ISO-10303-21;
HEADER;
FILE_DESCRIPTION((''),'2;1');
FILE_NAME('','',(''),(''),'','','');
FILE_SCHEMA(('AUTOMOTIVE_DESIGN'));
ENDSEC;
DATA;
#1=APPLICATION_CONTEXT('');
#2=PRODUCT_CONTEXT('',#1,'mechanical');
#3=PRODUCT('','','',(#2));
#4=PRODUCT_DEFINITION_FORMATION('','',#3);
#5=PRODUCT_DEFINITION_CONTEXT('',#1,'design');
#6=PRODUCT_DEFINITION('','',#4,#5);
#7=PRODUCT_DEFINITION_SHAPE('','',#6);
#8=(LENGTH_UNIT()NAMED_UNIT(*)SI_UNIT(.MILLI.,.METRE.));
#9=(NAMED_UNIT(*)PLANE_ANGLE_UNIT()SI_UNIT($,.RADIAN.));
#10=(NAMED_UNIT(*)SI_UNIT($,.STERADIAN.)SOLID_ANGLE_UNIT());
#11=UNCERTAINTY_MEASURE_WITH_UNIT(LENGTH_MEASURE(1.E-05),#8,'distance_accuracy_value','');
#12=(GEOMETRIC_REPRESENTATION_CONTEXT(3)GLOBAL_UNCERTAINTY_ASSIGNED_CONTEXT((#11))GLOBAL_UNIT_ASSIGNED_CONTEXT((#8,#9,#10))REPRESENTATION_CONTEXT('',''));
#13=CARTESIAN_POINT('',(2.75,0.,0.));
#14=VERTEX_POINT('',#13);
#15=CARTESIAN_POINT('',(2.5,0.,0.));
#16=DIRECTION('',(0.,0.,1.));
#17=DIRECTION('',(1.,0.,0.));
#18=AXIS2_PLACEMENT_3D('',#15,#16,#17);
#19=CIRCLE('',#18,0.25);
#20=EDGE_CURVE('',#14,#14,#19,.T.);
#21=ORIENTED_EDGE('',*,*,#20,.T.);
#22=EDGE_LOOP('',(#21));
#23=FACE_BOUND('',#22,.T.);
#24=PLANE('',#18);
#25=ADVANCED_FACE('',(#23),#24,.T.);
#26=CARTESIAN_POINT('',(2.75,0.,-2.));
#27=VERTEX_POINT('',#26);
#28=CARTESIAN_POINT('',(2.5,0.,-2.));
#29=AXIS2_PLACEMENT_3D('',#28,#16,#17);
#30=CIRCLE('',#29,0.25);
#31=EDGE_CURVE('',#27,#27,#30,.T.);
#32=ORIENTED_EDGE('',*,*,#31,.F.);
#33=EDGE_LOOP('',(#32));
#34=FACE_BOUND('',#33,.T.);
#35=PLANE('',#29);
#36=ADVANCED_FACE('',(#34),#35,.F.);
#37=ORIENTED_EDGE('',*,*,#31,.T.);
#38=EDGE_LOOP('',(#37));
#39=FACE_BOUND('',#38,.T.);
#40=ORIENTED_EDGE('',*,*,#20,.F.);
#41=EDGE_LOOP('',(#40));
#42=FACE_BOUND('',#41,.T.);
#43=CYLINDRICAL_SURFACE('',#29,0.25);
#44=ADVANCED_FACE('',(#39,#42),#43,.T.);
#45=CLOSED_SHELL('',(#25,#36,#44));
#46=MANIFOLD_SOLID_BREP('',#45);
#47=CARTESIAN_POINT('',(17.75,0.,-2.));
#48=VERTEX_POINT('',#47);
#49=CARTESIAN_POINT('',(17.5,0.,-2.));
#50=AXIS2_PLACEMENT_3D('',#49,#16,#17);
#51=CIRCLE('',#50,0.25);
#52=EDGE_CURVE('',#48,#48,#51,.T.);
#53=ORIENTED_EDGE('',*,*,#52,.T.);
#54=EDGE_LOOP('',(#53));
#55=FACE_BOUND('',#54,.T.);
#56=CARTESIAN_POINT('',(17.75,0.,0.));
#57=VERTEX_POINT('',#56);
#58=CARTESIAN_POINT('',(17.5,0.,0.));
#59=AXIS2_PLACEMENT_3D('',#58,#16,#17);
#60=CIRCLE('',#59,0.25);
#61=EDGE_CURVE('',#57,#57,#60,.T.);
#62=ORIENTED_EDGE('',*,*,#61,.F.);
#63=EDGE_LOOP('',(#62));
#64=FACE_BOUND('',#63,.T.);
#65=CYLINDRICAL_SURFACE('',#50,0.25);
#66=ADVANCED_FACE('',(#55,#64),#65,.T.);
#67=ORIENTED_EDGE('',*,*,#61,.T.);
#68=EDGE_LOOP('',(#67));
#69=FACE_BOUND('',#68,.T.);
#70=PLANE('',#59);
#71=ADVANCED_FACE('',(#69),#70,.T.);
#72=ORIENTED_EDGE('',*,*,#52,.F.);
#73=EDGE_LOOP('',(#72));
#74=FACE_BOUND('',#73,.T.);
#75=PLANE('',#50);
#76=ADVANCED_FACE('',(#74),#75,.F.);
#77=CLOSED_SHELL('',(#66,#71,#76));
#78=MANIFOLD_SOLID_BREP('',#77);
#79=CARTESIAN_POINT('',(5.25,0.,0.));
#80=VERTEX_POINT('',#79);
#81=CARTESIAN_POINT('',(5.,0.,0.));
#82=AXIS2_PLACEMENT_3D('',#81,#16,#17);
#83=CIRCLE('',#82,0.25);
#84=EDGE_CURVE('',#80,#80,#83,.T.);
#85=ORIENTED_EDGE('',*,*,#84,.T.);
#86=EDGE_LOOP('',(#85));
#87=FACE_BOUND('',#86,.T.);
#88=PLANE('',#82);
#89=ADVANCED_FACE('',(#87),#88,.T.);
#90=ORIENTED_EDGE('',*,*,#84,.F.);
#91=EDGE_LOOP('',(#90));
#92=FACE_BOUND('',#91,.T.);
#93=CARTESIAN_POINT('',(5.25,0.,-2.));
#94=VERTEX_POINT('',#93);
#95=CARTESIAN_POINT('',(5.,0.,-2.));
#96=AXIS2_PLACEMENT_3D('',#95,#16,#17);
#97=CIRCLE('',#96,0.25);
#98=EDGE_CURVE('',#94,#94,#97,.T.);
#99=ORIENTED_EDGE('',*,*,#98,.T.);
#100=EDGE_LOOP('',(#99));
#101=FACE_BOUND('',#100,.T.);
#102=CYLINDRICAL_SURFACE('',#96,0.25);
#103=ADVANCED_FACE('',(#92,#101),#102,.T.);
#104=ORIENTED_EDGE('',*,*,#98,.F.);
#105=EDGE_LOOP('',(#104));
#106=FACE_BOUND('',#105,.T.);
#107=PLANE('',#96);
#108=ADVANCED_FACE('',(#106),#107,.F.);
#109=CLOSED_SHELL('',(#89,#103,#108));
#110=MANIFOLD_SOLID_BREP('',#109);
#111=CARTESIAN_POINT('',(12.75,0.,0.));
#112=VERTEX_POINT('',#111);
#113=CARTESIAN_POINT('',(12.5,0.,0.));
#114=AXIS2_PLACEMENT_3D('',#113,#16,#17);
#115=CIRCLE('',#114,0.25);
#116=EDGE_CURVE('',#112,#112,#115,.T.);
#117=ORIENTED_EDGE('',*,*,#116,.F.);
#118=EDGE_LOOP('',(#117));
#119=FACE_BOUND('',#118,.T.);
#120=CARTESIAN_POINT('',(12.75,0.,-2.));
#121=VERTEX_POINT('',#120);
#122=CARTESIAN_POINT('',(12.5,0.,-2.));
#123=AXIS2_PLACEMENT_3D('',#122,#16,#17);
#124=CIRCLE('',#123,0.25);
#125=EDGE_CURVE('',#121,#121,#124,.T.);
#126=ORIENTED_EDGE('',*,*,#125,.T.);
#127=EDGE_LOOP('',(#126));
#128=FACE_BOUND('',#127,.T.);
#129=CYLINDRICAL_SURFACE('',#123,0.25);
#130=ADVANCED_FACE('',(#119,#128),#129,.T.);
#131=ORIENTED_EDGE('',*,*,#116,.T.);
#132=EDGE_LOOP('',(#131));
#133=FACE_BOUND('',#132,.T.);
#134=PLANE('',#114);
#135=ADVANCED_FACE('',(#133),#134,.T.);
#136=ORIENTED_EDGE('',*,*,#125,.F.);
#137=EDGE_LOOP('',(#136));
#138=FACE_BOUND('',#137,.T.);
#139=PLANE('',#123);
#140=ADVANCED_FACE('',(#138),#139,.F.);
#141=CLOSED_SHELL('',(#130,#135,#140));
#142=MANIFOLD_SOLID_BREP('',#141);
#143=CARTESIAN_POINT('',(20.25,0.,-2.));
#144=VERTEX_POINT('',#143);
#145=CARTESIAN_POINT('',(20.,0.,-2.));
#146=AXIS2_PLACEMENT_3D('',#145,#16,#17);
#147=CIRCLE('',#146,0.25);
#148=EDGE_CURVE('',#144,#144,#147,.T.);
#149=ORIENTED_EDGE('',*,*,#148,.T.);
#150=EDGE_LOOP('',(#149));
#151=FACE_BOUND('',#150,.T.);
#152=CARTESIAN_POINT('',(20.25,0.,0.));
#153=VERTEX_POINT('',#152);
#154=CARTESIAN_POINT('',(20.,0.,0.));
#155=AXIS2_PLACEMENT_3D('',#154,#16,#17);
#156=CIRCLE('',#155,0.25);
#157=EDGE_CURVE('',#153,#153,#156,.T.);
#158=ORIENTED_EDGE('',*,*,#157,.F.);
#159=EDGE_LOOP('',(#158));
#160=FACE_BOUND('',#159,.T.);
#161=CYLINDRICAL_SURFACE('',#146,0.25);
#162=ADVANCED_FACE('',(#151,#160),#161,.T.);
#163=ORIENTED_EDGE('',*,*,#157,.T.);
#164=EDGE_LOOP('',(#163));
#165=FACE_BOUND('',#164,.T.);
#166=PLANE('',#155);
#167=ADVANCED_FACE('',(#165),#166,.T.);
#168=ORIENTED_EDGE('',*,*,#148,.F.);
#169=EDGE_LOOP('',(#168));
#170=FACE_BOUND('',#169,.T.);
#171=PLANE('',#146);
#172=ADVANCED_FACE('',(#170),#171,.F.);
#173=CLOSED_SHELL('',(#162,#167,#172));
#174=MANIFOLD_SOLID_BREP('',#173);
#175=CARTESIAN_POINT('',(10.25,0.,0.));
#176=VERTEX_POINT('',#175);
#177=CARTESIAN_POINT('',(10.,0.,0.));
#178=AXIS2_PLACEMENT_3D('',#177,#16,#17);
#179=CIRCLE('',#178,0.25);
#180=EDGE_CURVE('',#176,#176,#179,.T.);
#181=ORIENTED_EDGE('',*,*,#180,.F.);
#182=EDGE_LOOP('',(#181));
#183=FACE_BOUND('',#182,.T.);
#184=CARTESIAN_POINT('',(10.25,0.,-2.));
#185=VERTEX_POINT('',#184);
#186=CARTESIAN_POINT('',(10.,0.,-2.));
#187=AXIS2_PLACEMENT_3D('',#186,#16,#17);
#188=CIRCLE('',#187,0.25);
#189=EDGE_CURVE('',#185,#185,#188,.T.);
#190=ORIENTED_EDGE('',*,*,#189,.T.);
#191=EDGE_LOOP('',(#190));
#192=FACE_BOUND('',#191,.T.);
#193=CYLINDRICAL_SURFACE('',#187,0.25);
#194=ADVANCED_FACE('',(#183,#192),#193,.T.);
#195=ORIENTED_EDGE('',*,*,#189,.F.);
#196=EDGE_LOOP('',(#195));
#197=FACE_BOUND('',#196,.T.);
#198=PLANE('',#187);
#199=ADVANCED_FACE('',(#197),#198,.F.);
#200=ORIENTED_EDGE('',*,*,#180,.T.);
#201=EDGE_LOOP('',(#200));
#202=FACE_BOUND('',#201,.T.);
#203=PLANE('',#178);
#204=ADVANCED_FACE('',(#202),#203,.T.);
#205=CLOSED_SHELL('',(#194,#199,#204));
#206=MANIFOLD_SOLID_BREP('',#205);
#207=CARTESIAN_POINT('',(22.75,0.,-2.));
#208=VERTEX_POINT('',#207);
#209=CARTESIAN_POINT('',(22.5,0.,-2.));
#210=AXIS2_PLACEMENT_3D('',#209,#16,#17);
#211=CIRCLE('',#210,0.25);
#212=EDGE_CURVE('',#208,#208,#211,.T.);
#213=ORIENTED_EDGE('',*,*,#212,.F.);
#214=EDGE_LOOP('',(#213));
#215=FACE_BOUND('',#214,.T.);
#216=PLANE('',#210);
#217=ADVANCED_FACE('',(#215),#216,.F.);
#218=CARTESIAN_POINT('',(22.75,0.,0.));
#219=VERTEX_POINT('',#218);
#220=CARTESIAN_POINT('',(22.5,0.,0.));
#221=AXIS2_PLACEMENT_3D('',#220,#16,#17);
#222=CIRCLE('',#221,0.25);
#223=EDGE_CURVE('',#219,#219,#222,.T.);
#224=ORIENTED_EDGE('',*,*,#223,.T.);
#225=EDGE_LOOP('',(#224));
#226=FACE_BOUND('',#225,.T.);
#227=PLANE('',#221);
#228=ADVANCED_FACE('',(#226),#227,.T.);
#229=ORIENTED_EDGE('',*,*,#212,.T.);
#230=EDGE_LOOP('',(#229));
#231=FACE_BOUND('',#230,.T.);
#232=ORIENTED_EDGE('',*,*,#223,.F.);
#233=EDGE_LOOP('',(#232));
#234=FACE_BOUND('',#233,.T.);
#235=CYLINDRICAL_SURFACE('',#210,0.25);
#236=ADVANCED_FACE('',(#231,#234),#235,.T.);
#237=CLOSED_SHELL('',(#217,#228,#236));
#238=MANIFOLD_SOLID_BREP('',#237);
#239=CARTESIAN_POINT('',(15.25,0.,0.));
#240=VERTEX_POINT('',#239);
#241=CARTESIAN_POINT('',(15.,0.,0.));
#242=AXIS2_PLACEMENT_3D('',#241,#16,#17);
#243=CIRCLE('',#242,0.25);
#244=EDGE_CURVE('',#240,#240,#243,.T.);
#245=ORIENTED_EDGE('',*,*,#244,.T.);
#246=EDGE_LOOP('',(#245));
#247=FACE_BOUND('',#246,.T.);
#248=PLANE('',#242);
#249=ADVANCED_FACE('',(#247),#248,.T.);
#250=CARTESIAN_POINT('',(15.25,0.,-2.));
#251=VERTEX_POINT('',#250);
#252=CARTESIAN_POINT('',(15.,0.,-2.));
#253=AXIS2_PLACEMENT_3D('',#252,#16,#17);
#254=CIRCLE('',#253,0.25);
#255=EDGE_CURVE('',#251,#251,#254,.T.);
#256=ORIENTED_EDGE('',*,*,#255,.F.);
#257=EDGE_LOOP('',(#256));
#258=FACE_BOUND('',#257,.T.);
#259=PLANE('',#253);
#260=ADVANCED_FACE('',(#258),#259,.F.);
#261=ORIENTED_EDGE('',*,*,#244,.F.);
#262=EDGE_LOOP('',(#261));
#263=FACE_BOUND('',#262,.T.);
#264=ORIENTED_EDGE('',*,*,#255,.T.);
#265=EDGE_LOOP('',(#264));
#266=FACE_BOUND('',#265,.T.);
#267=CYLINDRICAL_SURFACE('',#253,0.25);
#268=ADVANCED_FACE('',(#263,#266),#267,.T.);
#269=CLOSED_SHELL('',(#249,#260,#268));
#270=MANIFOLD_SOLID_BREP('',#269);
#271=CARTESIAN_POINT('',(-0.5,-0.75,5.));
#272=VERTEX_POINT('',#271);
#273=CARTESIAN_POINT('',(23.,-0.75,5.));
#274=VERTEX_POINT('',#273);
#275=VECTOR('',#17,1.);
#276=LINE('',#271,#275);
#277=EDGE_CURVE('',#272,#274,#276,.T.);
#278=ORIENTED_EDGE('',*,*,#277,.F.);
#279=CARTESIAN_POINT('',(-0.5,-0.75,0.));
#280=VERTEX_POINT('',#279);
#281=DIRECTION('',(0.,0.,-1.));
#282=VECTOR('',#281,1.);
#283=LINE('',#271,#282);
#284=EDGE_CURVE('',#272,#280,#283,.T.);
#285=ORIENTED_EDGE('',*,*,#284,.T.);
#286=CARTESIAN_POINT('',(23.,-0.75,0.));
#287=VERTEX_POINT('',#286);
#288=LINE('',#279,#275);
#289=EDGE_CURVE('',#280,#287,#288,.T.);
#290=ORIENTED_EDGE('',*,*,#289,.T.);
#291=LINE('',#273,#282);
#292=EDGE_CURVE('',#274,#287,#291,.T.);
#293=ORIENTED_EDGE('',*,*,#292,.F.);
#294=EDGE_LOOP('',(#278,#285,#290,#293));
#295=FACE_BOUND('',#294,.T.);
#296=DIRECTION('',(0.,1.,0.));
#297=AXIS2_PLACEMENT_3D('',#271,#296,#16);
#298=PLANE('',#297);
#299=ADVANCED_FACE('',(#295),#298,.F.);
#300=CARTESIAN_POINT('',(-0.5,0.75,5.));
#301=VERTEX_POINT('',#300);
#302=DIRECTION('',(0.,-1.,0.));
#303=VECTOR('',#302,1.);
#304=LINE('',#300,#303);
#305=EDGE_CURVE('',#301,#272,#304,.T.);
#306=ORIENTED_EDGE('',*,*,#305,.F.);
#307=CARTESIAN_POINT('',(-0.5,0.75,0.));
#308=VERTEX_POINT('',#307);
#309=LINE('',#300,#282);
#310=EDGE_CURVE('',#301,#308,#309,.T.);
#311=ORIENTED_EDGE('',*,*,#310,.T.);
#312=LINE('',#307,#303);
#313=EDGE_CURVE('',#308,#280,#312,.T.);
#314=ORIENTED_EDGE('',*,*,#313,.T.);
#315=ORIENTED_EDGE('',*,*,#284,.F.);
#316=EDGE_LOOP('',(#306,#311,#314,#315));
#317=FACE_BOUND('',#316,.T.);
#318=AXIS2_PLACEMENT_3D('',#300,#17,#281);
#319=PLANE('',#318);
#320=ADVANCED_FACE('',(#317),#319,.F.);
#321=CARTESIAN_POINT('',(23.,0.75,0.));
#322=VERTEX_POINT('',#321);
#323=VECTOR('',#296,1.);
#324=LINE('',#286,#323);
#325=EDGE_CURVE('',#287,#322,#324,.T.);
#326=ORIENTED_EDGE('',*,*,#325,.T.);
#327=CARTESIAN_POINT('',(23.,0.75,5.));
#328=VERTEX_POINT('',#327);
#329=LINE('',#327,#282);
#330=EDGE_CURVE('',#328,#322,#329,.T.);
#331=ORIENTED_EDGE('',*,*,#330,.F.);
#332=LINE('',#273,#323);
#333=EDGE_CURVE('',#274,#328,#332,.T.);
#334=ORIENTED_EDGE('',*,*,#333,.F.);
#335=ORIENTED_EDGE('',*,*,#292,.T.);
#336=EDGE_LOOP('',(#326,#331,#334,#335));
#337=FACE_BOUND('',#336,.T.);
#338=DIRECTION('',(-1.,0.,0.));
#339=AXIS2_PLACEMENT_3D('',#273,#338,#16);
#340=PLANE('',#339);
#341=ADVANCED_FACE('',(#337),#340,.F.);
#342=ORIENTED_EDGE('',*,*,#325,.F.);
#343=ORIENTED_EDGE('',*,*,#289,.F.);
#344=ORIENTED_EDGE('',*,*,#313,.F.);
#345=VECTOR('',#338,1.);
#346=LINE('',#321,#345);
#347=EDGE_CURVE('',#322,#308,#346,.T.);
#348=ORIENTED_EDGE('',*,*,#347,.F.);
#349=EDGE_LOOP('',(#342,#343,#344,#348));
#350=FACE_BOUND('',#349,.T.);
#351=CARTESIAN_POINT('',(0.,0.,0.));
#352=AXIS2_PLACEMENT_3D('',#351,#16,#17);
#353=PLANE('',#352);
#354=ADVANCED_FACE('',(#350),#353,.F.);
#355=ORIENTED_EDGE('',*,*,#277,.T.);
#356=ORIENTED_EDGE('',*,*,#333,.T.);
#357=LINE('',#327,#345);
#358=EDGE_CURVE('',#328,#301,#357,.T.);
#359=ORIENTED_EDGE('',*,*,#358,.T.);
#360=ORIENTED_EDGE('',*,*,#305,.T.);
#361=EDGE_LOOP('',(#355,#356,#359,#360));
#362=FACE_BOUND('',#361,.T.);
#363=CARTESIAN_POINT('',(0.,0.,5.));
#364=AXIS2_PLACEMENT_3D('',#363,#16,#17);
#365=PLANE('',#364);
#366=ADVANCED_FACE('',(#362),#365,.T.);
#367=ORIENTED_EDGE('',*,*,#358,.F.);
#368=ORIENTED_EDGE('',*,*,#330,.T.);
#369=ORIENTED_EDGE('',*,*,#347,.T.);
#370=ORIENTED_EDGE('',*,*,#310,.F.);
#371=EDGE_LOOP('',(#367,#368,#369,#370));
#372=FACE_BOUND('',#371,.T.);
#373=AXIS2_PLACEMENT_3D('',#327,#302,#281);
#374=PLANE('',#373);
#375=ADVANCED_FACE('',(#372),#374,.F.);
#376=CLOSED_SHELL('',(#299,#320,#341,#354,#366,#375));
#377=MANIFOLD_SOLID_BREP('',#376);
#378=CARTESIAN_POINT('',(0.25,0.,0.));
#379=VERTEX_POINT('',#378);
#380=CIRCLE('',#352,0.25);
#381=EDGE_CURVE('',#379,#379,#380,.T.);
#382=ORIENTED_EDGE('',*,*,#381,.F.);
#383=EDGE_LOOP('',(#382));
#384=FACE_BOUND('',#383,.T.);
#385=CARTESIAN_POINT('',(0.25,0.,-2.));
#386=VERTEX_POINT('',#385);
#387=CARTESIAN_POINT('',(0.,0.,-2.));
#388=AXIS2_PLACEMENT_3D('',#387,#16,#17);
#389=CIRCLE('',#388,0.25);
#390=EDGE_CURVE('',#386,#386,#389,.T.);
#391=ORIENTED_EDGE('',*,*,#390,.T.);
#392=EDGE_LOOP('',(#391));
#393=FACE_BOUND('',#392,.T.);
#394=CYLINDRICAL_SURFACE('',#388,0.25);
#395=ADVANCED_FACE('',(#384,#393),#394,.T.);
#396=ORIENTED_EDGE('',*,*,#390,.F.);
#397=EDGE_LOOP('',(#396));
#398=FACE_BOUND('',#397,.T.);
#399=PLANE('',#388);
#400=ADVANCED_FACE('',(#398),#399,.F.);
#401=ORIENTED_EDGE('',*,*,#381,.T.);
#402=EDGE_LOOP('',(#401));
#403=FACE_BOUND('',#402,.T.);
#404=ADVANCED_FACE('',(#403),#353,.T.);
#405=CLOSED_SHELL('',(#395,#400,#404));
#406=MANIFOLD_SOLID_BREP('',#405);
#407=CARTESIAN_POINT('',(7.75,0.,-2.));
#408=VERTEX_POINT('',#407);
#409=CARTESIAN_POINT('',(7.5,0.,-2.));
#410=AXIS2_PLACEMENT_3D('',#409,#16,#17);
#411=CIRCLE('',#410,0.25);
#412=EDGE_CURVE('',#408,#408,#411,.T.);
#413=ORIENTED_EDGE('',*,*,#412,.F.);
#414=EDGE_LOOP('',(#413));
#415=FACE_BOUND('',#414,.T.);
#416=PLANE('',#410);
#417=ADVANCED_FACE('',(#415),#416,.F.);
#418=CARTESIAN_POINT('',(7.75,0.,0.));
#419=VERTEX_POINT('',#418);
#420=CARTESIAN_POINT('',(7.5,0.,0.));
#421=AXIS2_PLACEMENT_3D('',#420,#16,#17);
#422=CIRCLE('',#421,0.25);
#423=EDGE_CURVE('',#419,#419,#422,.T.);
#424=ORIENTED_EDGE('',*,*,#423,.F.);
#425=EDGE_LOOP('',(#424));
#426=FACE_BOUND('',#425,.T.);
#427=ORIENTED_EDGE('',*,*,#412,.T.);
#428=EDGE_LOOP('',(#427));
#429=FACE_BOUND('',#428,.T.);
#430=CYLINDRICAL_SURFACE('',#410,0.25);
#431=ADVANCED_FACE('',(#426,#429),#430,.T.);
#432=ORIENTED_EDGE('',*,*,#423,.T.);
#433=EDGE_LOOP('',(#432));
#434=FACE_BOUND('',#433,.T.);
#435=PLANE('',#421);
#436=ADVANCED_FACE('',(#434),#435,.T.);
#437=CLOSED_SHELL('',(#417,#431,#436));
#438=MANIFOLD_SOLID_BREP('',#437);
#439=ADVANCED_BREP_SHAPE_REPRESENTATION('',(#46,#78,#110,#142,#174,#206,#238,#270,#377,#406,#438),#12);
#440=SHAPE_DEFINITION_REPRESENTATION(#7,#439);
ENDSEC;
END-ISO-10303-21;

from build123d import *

# Parameters (mm, degrees)
SKETCH1_W               = 23.5
SKETCH1_H               = 1.5
COMPONENT_OUTLINE_DEPTH = 5
SKETCH2_R               = 0.25
EXTRUDE_1_DEPTH         = 2
SKETCH3_R               = 0.25
EXTRUDE_2_DEPTH         = 2
SKETCH4_R               = 0.25
EXTRUDE_3_DEPTH         = 2
SKETCH5_R               = 0.25
EXTRUDE_4_DEPTH         = 2
SKETCH6_R               = 0.25
EXTRUDE_5_DEPTH         = 2
SKETCH7_R               = 0.25
EXTRUDE_6_DEPTH         = 2
SKETCH8_R               = 0.25
EXTRUDE_7_DEPTH         = 2
SKETCH9_R               = 0.25
EXTRUDE_8_DEPTH         = 2
SKETCH10_R              = 0.25
EXTRUDE_9_DEPTH         = 2
SKETCH11_R              = 0.25
EXTRUDE_10_DEPTH        = 2


with BuildPart() as part:
    # Sketch1 → Component_Outline (new body)
    with BuildSketch(Plane.XY):
        with Locations((11.25, 0)):
            Rectangle(SKETCH1_W, SKETCH1_H)
    extrude(amount=COMPONENT_OUTLINE_DEPTH)


with BuildPart() as body_2:
    # Sketch2 → Extrude 1 (new body)
    with BuildSketch(Plane.XY):
        Circle(SKETCH2_R)
    extrude(amount=-EXTRUDE_1_DEPTH)


with BuildPart() as body_3:
    # Sketch3 → Extrude 2 (new body)
    with BuildSketch(Plane.XY):
        with Locations((2.5, 0)):
            Circle(SKETCH3_R)
    extrude(amount=-EXTRUDE_2_DEPTH)


with BuildPart() as body_4:
    # Sketch4 → Extrude 3 (new body)
    with BuildSketch(Plane.XY):
        with Locations((5, 0)):
            Circle(SKETCH4_R)
    extrude(amount=-EXTRUDE_3_DEPTH)


with BuildPart() as body_5:
    # Sketch5 → Extrude 4 (new body)
    with BuildSketch(Plane.XY):
        with Locations((7.5, 0)):
            Circle(SKETCH5_R)
    extrude(amount=-EXTRUDE_4_DEPTH)


with BuildPart() as body_6:
    # Sketch6 → Extrude 5 (new body)
    with BuildSketch(Plane.XY):
        with Locations((10, 0)):
            Circle(SKETCH6_R)
    extrude(amount=-EXTRUDE_5_DEPTH)


with BuildPart() as body_7:
    # Sketch7 → Extrude 6 (new body)
    with BuildSketch(Plane.XY):
        with Locations((12.5, 0)):
            Circle(SKETCH7_R)
    extrude(amount=-EXTRUDE_6_DEPTH)


with BuildPart() as body_8:
    # Sketch8 → Extrude 7 (new body)
    with BuildSketch(Plane.XY):
        with Locations((15, 0)):
            Circle(SKETCH8_R)
    extrude(amount=-EXTRUDE_7_DEPTH)


with BuildPart() as body_9:
    # Sketch9 → Extrude 8 (new body)
    with BuildSketch(Plane.XY):
        with Locations((17.5, 0)):
            Circle(SKETCH9_R)
    extrude(amount=-EXTRUDE_8_DEPTH)


with BuildPart() as body_10:
    # Sketch10 → Extrude 9 (new body)
    with BuildSketch(Plane.XY):
        with Locations((20, 0)):
            Circle(SKETCH10_R)
    extrude(amount=-EXTRUDE_9_DEPTH)


with BuildPart() as body_11:
    # Sketch11 → Extrude 10 (new body)
    with BuildSketch(Plane.XY):
        with Locations((22.5, 0)):
            Circle(SKETCH11_R)
    extrude(amount=-EXTRUDE_10_DEPTH)


solid = Compound([part.part, body_2.part, body_3.part, body_4.part, body_5.part, body_6.part, body_7.part, body_8.part, body_9.part, body_10.part, body_11.part])
